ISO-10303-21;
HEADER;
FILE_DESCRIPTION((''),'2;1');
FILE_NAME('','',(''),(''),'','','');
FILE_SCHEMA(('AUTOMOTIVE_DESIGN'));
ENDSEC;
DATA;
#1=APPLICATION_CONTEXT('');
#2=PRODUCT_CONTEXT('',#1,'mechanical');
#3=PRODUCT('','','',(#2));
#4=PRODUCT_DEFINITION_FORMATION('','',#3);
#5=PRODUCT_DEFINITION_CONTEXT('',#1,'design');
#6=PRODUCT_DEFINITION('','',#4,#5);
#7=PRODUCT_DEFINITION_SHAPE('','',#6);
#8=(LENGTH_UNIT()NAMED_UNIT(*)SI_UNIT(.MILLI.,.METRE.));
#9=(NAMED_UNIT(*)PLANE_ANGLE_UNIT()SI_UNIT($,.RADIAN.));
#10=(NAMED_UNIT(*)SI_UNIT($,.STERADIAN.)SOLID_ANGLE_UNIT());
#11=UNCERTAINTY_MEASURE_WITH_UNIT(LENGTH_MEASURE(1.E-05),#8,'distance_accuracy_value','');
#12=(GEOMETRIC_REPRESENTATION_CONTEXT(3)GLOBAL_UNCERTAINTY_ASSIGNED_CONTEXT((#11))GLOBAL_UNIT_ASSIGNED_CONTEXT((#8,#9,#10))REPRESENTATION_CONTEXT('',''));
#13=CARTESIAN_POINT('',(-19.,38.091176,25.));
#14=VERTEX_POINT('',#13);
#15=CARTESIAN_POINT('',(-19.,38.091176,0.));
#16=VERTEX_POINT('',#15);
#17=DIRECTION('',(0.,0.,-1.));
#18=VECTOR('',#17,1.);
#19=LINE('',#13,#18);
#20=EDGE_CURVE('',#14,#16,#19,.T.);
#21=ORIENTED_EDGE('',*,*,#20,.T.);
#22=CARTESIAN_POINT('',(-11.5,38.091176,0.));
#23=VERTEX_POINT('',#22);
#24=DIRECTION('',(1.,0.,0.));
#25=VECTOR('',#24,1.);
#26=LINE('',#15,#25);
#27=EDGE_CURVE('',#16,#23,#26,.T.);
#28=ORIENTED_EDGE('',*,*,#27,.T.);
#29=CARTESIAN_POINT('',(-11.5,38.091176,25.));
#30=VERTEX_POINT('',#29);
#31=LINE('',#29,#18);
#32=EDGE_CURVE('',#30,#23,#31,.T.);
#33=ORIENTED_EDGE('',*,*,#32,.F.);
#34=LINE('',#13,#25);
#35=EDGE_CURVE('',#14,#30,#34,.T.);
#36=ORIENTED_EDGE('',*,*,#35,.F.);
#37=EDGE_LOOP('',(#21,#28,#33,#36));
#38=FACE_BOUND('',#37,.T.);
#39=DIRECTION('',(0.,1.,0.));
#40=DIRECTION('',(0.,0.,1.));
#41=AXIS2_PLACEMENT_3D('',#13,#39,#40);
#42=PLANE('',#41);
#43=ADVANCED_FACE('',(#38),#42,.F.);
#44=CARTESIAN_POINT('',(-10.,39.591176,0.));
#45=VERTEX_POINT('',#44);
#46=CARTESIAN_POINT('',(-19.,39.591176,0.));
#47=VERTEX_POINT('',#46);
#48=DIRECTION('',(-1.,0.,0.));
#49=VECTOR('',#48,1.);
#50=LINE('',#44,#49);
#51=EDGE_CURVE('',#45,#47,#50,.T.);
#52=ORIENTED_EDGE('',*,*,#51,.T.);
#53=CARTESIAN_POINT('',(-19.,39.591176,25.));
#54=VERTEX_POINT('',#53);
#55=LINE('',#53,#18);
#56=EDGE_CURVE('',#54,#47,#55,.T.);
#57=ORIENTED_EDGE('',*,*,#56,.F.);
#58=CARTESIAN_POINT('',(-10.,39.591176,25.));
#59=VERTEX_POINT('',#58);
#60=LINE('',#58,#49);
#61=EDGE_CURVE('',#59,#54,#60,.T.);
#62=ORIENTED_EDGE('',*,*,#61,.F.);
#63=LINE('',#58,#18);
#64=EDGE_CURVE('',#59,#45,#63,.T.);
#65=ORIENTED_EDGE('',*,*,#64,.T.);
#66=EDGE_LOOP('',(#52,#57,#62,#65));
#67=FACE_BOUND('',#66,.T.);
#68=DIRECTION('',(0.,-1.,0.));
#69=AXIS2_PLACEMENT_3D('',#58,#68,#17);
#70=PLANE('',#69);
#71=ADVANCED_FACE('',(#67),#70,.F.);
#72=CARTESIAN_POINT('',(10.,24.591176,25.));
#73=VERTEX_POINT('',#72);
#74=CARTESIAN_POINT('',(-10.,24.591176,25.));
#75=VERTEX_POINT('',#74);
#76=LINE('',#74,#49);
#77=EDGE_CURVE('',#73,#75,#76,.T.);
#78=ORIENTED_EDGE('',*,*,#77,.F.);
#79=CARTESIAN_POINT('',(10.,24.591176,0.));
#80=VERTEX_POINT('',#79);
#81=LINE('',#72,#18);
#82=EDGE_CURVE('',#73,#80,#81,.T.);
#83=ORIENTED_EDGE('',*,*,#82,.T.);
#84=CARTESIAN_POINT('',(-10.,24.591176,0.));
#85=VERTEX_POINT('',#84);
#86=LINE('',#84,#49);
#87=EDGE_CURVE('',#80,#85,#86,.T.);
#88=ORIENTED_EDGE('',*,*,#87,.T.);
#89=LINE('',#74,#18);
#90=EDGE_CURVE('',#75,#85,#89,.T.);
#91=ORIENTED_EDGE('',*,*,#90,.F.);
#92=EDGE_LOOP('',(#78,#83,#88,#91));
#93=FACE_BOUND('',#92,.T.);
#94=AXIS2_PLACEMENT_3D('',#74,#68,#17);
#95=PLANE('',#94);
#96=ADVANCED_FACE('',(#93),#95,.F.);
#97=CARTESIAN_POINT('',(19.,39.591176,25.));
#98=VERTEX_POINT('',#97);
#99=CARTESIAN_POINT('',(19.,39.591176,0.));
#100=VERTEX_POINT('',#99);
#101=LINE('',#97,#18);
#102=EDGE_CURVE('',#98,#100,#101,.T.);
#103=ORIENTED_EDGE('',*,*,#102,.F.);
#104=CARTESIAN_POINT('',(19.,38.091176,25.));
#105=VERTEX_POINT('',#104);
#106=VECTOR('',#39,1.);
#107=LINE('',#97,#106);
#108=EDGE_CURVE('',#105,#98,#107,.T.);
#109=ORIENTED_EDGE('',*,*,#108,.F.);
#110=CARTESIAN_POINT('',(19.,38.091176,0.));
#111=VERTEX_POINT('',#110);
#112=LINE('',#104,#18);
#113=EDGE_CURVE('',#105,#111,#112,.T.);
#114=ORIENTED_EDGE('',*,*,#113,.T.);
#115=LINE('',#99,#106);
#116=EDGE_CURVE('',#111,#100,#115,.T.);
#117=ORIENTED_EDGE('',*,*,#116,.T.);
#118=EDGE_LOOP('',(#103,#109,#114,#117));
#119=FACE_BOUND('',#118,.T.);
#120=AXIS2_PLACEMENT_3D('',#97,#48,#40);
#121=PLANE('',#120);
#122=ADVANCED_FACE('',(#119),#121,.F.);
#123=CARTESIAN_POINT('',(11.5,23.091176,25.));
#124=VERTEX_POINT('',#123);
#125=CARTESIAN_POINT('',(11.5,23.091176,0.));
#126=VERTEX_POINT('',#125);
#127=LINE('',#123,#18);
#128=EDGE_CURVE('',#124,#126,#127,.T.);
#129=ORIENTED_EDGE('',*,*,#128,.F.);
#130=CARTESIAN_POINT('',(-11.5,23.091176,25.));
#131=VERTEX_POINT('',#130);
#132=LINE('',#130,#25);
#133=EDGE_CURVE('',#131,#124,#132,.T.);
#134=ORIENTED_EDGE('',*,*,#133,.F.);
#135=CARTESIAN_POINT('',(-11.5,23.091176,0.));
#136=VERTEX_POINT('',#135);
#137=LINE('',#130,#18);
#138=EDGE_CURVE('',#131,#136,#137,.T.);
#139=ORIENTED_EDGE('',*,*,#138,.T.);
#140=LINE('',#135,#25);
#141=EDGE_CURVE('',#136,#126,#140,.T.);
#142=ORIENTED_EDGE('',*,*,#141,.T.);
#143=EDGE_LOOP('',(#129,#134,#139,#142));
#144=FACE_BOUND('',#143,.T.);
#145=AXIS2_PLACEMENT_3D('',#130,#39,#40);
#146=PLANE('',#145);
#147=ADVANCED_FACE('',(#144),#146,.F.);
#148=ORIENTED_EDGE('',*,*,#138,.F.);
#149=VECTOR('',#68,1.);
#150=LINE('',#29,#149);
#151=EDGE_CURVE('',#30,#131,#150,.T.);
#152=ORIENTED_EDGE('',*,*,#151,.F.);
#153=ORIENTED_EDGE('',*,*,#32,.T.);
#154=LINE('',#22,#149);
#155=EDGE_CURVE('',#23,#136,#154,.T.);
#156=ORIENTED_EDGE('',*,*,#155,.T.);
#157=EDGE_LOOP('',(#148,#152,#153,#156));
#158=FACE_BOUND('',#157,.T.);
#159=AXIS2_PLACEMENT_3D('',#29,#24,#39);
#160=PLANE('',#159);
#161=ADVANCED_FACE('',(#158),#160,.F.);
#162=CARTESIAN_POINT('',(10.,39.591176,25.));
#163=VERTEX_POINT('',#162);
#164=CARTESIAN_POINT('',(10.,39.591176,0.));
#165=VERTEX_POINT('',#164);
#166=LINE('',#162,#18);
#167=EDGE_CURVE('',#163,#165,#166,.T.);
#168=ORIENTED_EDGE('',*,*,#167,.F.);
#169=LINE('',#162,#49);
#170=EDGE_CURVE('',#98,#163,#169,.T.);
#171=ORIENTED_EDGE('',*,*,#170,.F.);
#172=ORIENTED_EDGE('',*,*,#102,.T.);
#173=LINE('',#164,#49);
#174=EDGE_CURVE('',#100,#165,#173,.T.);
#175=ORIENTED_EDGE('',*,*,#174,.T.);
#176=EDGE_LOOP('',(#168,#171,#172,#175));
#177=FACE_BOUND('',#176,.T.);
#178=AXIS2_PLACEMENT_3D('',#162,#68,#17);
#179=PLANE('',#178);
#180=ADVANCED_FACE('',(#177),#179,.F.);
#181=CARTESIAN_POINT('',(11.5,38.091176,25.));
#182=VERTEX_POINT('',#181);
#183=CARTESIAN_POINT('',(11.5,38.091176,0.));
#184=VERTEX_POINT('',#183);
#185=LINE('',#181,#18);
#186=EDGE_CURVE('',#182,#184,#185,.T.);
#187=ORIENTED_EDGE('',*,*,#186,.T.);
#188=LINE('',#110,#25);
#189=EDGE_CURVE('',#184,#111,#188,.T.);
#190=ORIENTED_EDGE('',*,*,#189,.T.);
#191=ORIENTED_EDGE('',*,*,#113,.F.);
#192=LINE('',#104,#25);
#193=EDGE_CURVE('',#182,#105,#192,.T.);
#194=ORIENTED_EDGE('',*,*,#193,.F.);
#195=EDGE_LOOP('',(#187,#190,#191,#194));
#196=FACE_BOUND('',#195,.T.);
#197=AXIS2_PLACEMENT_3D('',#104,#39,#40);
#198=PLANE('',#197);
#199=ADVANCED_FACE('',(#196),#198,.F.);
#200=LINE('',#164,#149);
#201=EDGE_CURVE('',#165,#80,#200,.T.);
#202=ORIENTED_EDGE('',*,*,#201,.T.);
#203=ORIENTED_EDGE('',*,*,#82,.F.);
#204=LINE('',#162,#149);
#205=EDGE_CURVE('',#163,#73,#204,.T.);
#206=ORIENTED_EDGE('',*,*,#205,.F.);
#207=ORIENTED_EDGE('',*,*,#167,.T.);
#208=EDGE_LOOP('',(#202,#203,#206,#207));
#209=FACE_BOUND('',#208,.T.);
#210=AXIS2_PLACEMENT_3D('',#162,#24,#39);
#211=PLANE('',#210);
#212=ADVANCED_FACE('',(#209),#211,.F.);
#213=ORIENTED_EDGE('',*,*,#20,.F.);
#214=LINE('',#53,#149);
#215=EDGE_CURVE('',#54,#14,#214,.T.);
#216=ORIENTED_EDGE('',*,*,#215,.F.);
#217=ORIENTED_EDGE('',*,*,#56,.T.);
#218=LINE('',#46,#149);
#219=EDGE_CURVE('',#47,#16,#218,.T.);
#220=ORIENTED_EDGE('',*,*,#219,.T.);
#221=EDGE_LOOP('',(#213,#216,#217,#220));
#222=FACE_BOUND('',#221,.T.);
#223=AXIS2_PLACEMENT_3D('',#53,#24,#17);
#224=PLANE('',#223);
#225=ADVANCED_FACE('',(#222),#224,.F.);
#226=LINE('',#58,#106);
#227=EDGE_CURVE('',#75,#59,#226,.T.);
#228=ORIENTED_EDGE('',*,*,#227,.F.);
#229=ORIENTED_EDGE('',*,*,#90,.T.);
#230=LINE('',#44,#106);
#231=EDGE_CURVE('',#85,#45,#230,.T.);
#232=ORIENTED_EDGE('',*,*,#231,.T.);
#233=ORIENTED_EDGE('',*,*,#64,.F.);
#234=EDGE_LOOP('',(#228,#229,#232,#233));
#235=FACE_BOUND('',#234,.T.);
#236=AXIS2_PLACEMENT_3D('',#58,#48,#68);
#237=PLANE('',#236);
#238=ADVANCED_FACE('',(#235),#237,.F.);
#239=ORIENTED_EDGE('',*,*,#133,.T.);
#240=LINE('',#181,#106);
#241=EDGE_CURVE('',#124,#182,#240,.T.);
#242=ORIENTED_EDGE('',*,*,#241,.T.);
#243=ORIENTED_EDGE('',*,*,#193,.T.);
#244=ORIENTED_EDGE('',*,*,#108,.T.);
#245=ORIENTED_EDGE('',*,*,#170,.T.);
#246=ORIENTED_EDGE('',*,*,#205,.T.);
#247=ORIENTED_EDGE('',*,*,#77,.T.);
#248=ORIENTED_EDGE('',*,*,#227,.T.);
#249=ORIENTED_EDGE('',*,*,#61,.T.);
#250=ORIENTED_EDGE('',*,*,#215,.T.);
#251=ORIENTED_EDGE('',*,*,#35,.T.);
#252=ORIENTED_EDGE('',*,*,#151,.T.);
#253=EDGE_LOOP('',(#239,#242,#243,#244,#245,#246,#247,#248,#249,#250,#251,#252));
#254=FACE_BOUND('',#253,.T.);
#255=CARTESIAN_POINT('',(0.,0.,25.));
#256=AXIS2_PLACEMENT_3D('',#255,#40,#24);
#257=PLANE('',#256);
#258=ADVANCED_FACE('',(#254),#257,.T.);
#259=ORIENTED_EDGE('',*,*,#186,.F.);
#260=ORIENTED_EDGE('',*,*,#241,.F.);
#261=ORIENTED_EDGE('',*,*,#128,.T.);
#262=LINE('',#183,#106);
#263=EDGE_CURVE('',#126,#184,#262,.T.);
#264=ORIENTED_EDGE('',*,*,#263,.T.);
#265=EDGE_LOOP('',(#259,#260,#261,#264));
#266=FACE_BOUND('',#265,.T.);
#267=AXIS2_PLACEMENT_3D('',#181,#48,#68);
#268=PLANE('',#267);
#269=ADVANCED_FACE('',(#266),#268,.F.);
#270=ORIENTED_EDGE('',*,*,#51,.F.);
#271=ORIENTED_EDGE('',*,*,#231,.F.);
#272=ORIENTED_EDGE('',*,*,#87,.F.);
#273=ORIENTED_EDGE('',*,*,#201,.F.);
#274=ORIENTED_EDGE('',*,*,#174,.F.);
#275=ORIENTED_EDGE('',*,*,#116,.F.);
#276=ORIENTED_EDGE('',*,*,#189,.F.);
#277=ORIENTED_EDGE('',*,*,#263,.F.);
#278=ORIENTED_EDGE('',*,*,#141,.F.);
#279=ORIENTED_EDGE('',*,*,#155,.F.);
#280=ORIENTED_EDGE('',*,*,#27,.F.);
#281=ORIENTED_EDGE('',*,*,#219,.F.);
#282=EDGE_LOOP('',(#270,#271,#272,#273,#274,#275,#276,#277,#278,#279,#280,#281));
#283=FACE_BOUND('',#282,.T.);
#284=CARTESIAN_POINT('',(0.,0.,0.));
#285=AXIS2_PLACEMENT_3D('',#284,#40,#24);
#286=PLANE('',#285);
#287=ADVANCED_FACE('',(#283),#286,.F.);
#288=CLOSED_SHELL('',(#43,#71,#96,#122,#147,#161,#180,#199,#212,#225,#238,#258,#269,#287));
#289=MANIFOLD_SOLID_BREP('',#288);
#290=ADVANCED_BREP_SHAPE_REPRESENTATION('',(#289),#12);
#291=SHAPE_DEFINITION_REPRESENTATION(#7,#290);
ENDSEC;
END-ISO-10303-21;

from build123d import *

# Parameters (mm, degrees)
BOSS_EXTRUDE1_DEPTH = 25


with BuildPart() as part:
    # Sketch1 → Boss-Extrude1 (new body)
    with BuildSketch(Plane.XY):
        Polygon((11.5, 38.091175636), (11.5, 23.091175636), (-11.5, 23.091175636), (-11.5, 38.091175636), (-19, 38.091175636), (-19, 39.591175636), (-10, 39.591175636), (-10, 24.591175636), (10, 24.591175636), (10, 39.591175636), (19, 39.591175636), (19, 38.091175636), align=None)
    extrude(amount=BOSS_EXTRUDE1_DEPTH)


solid = part.part
